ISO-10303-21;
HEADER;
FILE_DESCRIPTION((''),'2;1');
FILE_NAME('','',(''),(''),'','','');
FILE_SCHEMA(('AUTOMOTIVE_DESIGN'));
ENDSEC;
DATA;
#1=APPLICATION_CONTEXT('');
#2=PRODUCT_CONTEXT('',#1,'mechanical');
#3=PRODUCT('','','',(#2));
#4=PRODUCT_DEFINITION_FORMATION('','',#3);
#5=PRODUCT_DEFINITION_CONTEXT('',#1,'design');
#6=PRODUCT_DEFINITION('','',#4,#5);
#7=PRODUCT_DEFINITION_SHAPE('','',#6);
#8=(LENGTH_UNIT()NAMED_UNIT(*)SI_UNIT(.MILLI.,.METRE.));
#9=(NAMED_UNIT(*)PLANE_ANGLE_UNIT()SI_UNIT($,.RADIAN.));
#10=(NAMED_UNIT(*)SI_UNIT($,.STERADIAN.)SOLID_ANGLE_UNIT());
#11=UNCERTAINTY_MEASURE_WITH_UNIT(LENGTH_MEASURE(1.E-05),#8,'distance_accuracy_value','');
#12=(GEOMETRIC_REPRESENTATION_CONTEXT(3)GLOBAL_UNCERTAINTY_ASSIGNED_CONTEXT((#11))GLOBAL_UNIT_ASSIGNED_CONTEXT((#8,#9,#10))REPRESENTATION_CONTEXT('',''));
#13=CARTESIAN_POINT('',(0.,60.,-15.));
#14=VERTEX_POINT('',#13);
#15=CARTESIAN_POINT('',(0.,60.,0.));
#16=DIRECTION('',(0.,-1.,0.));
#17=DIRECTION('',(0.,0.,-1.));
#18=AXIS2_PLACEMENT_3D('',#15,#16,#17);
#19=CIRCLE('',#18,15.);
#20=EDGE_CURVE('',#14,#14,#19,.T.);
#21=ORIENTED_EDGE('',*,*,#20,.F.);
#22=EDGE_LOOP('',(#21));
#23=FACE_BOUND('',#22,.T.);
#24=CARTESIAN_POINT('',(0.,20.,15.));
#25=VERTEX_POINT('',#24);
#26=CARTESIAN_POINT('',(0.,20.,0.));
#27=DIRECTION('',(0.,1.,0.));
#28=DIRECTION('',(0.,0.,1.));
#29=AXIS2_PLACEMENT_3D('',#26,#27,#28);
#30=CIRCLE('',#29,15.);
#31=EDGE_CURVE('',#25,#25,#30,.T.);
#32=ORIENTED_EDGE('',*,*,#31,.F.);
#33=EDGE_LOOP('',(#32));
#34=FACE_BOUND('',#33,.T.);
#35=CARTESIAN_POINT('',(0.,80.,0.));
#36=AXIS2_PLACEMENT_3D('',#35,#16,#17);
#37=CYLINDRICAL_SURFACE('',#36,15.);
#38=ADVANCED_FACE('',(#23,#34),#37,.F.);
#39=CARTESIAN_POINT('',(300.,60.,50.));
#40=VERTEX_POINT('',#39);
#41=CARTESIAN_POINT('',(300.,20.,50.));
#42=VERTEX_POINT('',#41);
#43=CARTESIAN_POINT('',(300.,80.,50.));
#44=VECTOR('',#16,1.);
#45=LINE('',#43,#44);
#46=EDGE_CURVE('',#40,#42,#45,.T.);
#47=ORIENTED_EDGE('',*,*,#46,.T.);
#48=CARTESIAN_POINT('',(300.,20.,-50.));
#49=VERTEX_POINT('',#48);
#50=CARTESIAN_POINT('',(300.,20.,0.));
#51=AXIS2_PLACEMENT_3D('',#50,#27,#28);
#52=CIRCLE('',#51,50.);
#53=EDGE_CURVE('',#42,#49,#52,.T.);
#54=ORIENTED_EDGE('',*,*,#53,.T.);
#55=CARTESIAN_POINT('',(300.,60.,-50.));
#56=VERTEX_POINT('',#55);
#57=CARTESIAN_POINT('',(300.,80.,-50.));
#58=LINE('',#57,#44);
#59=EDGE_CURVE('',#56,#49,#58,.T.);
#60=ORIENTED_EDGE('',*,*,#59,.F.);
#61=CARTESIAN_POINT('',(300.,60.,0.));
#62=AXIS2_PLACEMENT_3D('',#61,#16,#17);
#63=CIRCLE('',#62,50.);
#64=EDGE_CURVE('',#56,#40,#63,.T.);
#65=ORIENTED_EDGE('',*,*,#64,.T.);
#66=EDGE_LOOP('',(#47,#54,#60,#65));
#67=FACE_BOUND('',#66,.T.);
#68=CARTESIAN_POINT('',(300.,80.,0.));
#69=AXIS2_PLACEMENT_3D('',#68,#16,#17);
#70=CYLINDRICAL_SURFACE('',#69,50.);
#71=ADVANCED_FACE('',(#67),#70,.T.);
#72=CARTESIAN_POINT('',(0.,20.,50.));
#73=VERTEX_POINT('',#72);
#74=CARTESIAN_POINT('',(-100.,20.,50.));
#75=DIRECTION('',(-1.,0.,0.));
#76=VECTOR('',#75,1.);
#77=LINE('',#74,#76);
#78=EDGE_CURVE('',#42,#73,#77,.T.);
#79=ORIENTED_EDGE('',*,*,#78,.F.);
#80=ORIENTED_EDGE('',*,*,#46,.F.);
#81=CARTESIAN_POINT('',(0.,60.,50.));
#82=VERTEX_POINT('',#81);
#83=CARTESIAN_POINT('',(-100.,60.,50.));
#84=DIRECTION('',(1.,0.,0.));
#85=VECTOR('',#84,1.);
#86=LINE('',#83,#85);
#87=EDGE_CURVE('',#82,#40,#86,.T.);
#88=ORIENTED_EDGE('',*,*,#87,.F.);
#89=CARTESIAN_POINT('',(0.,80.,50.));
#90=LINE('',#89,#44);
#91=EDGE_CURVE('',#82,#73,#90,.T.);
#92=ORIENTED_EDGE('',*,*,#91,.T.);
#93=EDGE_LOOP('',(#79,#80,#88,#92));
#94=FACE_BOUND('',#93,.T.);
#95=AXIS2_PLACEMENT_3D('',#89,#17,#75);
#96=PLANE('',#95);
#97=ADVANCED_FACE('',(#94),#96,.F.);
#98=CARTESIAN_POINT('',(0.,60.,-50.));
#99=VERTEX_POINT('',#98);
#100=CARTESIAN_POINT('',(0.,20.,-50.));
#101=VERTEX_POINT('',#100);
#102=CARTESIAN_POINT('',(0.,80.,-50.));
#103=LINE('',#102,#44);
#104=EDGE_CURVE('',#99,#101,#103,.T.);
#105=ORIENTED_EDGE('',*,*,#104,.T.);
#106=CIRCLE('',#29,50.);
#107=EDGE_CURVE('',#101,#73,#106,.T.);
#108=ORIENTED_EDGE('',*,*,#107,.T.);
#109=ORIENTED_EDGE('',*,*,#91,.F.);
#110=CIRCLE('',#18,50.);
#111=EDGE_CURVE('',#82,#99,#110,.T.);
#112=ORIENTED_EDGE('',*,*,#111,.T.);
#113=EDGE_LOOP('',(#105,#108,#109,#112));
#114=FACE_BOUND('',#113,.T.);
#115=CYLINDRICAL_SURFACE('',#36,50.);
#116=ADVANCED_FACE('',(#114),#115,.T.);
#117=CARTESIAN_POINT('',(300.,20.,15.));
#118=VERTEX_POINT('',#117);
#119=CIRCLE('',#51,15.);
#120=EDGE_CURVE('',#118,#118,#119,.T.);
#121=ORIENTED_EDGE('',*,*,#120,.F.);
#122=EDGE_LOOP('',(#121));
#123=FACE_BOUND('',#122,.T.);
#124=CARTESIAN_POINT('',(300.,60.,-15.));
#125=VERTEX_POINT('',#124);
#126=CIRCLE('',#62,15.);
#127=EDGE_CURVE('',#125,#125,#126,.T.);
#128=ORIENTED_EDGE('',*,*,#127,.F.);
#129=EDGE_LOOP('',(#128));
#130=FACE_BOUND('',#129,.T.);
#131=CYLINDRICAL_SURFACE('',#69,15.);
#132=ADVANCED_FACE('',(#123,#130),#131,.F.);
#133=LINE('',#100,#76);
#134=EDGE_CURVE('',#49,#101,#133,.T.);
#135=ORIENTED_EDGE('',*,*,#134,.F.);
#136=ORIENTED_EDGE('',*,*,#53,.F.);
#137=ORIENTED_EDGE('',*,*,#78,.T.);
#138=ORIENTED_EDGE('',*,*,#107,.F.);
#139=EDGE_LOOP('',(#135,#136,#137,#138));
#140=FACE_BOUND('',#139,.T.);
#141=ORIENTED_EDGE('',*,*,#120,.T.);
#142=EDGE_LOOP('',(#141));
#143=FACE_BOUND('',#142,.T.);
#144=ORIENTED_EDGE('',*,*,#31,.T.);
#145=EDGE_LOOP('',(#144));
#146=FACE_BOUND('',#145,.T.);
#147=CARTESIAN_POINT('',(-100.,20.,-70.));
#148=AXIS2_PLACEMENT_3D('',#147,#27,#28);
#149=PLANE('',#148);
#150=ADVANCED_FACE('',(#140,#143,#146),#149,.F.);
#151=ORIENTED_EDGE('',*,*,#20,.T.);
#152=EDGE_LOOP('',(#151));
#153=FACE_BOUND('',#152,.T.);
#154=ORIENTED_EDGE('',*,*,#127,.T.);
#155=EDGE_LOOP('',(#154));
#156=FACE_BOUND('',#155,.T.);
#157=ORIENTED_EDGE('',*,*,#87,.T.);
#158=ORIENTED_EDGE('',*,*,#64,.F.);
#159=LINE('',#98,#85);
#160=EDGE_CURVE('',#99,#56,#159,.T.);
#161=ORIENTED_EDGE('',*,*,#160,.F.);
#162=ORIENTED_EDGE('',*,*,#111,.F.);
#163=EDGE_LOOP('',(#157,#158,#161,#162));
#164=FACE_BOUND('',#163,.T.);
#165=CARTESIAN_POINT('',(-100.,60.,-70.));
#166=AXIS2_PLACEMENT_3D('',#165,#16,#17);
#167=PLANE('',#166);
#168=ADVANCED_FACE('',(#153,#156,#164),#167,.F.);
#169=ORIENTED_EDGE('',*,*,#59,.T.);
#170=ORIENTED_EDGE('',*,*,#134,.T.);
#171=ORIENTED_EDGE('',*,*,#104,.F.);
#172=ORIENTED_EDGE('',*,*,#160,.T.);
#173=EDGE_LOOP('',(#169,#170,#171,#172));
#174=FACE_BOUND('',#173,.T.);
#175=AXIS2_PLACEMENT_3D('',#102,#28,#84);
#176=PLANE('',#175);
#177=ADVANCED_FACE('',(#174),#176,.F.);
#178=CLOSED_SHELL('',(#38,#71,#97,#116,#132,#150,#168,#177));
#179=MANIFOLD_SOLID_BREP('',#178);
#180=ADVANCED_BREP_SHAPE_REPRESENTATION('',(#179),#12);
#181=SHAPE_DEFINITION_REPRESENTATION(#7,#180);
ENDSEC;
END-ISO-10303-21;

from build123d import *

# Parameters (mm, degrees)
SKETCH_1_R          = 15
EXTRUDE_1_DEPTH     = 80
SKETCH_2_W          = 500
SKETCH_2_H          = 40
CUT_EXTRUDE_3_DEPTH = 120


with BuildPart() as part:
    # 草图1 → 凸台-拉伸1 (new body)
    with BuildSketch(Plane(origin=(0, 0, 0), x_dir=(1, 0, 0), z_dir=(0, 1, 0))):
        with BuildLine():
            Line((0, 50), (300, 50))
            ThreePointArc((300, 50), (350, 0), (300, -50))
            Line((300, -50), (0, -50))
            ThreePointArc((0, -50), (-50, 0), (0, 50))
        make_face()
        with Locations(Location((0, 0, 0), (0, 0, 270))):
            Circle(SKETCH_1_R, mode=Mode.SUBTRACT)
        with Locations(Location((300, 0, 0), (0, 0, 270))):
            Circle(SKETCH_1_R, mode=Mode.SUBTRACT)
    extrude(amount=EXTRUDE_1_DEPTH)

    # 草图2 → 切除-拉伸3 (cut)
    with BuildSketch(Plane.XY.offset(50)):
        with Locations((150, 80)):
            Rectangle(SKETCH_2_W, SKETCH_2_H)
        with Locations((150, 0)):
            Rectangle(SKETCH_2_W, SKETCH_2_H)
    extrude(amount=-CUT_EXTRUDE_3_DEPTH, mode=Mode.SUBTRACT)


solid = part.part
